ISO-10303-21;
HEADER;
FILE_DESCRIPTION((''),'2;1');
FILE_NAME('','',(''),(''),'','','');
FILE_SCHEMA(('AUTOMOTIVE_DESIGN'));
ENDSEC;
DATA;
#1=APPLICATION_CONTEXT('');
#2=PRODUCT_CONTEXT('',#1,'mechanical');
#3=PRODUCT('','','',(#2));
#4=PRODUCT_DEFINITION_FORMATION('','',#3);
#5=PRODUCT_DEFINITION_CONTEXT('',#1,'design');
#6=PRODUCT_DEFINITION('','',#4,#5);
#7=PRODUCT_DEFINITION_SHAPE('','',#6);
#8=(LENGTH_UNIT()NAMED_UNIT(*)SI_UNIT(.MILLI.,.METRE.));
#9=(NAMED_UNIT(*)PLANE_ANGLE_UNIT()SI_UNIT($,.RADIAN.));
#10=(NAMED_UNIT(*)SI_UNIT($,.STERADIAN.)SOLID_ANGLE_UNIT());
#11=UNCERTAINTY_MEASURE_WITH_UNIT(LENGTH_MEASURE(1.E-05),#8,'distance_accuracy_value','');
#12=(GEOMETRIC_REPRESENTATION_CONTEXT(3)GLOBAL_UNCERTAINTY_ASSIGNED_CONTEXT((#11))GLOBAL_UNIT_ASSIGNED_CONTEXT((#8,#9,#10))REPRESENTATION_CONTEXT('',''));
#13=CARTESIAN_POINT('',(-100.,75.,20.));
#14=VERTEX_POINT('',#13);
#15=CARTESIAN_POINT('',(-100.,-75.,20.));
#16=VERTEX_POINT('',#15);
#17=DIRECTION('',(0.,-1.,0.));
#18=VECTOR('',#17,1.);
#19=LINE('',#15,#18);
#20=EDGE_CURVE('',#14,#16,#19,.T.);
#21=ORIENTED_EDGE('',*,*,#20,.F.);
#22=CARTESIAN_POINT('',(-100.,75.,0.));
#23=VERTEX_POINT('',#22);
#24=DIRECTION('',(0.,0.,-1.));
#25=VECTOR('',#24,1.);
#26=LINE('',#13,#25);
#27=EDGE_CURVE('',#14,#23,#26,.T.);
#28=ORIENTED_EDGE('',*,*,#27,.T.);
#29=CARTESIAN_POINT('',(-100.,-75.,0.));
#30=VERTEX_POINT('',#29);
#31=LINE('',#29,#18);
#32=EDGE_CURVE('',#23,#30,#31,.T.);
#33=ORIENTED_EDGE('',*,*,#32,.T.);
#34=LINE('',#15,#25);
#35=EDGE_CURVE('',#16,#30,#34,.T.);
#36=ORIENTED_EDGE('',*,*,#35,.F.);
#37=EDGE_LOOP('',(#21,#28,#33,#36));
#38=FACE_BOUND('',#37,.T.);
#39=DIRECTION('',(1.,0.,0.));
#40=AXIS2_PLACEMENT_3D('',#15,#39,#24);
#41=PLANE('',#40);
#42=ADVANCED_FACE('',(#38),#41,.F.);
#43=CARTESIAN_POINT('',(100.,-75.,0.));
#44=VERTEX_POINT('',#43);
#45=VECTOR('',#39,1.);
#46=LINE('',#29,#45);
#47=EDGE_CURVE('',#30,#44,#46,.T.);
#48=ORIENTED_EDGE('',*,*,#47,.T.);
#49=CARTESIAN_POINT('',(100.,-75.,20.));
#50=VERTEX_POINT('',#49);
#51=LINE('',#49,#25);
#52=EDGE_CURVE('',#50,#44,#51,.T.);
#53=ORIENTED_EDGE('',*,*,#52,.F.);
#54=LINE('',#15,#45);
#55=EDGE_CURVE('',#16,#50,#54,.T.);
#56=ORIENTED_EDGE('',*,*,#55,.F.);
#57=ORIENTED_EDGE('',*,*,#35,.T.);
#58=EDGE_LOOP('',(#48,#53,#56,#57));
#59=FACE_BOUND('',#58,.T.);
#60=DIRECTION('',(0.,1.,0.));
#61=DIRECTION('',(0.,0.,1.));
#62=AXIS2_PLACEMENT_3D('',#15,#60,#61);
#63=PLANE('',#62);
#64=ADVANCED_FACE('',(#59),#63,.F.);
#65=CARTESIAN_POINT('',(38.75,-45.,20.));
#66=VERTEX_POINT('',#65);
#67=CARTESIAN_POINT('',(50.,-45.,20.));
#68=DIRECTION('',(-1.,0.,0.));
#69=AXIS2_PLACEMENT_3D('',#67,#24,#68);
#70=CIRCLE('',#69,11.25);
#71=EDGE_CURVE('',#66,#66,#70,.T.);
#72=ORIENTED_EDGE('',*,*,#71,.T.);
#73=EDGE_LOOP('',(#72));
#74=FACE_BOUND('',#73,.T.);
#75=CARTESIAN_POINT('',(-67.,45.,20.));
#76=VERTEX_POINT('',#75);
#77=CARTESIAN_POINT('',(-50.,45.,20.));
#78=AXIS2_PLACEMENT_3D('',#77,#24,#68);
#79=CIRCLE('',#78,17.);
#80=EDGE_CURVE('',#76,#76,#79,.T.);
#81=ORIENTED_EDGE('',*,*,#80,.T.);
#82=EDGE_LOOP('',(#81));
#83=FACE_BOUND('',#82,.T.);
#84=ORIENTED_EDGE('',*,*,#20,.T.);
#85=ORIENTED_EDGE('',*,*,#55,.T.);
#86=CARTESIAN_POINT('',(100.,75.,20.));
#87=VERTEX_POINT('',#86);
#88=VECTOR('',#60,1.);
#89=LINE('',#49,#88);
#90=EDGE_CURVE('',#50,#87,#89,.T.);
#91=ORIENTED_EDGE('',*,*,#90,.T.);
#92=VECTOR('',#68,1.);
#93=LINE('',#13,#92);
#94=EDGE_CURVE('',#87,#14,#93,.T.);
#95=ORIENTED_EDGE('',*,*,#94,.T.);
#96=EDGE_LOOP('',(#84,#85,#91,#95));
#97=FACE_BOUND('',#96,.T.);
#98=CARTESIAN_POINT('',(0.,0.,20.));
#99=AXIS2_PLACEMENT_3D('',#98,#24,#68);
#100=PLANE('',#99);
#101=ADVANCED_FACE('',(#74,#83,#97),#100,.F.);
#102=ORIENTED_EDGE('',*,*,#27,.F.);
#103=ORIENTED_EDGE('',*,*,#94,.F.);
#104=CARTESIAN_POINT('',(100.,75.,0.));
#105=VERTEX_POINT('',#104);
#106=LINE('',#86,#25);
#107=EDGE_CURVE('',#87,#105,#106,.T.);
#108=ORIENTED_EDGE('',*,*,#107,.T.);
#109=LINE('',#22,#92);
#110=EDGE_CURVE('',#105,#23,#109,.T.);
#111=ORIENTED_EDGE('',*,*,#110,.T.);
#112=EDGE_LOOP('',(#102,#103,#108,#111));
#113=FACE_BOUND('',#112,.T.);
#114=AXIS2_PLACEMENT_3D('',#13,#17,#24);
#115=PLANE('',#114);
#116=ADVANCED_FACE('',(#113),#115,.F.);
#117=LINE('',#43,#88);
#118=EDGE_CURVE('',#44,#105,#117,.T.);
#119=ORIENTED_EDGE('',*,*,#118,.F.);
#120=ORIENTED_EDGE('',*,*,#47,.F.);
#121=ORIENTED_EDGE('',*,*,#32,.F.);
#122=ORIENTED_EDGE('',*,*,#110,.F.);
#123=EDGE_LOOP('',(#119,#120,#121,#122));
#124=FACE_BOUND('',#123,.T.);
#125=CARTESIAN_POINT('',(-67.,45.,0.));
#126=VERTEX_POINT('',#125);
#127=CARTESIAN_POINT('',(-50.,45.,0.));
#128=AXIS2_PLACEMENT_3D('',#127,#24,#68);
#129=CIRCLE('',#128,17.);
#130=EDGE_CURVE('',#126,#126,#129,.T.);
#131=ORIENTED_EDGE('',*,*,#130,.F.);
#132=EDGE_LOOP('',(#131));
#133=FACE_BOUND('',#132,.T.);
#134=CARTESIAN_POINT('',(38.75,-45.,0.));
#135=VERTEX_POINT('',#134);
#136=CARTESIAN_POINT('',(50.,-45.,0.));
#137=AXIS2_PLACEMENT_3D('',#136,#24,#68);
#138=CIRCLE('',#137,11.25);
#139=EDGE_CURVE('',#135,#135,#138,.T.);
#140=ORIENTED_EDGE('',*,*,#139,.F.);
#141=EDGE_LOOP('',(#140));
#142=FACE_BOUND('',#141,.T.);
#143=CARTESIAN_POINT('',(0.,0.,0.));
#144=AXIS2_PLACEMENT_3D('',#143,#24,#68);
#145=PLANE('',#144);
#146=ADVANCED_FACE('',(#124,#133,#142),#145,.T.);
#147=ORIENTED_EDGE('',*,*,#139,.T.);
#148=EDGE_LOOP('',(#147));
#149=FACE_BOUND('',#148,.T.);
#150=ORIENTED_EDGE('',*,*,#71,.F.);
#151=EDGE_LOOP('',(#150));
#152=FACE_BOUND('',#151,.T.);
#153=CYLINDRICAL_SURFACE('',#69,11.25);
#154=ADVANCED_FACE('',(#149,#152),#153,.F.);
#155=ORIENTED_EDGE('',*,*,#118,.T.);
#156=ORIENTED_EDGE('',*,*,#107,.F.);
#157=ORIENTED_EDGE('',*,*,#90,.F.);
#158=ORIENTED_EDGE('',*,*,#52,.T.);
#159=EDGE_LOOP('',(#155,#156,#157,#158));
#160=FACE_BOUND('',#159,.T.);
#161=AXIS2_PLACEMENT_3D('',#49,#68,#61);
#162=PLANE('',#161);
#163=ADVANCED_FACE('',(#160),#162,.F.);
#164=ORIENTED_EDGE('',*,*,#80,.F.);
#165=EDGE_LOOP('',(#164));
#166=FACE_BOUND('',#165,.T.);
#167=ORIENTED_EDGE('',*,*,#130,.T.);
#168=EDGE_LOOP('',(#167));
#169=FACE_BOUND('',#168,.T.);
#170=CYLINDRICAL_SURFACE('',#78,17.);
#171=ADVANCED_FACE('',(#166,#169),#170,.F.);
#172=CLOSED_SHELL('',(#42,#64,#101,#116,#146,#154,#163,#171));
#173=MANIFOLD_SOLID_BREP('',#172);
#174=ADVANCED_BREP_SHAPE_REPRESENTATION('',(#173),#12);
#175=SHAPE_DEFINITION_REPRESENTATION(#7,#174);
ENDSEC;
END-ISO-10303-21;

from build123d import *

# Parameters (mm, degrees)
SKETCH1_W           = 200
SKETCH1_H           = 150
BOSS_EXTRUDE1_DEPTH = 20
SKETCH2_R           = 11.25
SKETCH2_R_2         = 17
CUT_EXTRUDE1_DEPTH  = 21


with BuildPart() as part:
    # Sketch1 → Boss-Extrude1 (new body)
    with BuildSketch(Plane.XY):
        Rectangle(SKETCH1_W, SKETCH1_H)
    extrude(amount=BOSS_EXTRUDE1_DEPTH)

    # Sketch2 → Cut-Extrude1 (cut, through all)
    with BuildSketch(Plane(origin=(0, 0, 0), x_dir=(-1, 0, 0), z_dir=(0, 0, -1))):
        with Locations((-50, -45)):
            Circle(SKETCH2_R)
        with Locations((50, 45)):
            Circle(SKETCH2_R_2)
    extrude(amount=-CUT_EXTRUDE1_DEPTH, mode=Mode.SUBTRACT)


solid = part.part
